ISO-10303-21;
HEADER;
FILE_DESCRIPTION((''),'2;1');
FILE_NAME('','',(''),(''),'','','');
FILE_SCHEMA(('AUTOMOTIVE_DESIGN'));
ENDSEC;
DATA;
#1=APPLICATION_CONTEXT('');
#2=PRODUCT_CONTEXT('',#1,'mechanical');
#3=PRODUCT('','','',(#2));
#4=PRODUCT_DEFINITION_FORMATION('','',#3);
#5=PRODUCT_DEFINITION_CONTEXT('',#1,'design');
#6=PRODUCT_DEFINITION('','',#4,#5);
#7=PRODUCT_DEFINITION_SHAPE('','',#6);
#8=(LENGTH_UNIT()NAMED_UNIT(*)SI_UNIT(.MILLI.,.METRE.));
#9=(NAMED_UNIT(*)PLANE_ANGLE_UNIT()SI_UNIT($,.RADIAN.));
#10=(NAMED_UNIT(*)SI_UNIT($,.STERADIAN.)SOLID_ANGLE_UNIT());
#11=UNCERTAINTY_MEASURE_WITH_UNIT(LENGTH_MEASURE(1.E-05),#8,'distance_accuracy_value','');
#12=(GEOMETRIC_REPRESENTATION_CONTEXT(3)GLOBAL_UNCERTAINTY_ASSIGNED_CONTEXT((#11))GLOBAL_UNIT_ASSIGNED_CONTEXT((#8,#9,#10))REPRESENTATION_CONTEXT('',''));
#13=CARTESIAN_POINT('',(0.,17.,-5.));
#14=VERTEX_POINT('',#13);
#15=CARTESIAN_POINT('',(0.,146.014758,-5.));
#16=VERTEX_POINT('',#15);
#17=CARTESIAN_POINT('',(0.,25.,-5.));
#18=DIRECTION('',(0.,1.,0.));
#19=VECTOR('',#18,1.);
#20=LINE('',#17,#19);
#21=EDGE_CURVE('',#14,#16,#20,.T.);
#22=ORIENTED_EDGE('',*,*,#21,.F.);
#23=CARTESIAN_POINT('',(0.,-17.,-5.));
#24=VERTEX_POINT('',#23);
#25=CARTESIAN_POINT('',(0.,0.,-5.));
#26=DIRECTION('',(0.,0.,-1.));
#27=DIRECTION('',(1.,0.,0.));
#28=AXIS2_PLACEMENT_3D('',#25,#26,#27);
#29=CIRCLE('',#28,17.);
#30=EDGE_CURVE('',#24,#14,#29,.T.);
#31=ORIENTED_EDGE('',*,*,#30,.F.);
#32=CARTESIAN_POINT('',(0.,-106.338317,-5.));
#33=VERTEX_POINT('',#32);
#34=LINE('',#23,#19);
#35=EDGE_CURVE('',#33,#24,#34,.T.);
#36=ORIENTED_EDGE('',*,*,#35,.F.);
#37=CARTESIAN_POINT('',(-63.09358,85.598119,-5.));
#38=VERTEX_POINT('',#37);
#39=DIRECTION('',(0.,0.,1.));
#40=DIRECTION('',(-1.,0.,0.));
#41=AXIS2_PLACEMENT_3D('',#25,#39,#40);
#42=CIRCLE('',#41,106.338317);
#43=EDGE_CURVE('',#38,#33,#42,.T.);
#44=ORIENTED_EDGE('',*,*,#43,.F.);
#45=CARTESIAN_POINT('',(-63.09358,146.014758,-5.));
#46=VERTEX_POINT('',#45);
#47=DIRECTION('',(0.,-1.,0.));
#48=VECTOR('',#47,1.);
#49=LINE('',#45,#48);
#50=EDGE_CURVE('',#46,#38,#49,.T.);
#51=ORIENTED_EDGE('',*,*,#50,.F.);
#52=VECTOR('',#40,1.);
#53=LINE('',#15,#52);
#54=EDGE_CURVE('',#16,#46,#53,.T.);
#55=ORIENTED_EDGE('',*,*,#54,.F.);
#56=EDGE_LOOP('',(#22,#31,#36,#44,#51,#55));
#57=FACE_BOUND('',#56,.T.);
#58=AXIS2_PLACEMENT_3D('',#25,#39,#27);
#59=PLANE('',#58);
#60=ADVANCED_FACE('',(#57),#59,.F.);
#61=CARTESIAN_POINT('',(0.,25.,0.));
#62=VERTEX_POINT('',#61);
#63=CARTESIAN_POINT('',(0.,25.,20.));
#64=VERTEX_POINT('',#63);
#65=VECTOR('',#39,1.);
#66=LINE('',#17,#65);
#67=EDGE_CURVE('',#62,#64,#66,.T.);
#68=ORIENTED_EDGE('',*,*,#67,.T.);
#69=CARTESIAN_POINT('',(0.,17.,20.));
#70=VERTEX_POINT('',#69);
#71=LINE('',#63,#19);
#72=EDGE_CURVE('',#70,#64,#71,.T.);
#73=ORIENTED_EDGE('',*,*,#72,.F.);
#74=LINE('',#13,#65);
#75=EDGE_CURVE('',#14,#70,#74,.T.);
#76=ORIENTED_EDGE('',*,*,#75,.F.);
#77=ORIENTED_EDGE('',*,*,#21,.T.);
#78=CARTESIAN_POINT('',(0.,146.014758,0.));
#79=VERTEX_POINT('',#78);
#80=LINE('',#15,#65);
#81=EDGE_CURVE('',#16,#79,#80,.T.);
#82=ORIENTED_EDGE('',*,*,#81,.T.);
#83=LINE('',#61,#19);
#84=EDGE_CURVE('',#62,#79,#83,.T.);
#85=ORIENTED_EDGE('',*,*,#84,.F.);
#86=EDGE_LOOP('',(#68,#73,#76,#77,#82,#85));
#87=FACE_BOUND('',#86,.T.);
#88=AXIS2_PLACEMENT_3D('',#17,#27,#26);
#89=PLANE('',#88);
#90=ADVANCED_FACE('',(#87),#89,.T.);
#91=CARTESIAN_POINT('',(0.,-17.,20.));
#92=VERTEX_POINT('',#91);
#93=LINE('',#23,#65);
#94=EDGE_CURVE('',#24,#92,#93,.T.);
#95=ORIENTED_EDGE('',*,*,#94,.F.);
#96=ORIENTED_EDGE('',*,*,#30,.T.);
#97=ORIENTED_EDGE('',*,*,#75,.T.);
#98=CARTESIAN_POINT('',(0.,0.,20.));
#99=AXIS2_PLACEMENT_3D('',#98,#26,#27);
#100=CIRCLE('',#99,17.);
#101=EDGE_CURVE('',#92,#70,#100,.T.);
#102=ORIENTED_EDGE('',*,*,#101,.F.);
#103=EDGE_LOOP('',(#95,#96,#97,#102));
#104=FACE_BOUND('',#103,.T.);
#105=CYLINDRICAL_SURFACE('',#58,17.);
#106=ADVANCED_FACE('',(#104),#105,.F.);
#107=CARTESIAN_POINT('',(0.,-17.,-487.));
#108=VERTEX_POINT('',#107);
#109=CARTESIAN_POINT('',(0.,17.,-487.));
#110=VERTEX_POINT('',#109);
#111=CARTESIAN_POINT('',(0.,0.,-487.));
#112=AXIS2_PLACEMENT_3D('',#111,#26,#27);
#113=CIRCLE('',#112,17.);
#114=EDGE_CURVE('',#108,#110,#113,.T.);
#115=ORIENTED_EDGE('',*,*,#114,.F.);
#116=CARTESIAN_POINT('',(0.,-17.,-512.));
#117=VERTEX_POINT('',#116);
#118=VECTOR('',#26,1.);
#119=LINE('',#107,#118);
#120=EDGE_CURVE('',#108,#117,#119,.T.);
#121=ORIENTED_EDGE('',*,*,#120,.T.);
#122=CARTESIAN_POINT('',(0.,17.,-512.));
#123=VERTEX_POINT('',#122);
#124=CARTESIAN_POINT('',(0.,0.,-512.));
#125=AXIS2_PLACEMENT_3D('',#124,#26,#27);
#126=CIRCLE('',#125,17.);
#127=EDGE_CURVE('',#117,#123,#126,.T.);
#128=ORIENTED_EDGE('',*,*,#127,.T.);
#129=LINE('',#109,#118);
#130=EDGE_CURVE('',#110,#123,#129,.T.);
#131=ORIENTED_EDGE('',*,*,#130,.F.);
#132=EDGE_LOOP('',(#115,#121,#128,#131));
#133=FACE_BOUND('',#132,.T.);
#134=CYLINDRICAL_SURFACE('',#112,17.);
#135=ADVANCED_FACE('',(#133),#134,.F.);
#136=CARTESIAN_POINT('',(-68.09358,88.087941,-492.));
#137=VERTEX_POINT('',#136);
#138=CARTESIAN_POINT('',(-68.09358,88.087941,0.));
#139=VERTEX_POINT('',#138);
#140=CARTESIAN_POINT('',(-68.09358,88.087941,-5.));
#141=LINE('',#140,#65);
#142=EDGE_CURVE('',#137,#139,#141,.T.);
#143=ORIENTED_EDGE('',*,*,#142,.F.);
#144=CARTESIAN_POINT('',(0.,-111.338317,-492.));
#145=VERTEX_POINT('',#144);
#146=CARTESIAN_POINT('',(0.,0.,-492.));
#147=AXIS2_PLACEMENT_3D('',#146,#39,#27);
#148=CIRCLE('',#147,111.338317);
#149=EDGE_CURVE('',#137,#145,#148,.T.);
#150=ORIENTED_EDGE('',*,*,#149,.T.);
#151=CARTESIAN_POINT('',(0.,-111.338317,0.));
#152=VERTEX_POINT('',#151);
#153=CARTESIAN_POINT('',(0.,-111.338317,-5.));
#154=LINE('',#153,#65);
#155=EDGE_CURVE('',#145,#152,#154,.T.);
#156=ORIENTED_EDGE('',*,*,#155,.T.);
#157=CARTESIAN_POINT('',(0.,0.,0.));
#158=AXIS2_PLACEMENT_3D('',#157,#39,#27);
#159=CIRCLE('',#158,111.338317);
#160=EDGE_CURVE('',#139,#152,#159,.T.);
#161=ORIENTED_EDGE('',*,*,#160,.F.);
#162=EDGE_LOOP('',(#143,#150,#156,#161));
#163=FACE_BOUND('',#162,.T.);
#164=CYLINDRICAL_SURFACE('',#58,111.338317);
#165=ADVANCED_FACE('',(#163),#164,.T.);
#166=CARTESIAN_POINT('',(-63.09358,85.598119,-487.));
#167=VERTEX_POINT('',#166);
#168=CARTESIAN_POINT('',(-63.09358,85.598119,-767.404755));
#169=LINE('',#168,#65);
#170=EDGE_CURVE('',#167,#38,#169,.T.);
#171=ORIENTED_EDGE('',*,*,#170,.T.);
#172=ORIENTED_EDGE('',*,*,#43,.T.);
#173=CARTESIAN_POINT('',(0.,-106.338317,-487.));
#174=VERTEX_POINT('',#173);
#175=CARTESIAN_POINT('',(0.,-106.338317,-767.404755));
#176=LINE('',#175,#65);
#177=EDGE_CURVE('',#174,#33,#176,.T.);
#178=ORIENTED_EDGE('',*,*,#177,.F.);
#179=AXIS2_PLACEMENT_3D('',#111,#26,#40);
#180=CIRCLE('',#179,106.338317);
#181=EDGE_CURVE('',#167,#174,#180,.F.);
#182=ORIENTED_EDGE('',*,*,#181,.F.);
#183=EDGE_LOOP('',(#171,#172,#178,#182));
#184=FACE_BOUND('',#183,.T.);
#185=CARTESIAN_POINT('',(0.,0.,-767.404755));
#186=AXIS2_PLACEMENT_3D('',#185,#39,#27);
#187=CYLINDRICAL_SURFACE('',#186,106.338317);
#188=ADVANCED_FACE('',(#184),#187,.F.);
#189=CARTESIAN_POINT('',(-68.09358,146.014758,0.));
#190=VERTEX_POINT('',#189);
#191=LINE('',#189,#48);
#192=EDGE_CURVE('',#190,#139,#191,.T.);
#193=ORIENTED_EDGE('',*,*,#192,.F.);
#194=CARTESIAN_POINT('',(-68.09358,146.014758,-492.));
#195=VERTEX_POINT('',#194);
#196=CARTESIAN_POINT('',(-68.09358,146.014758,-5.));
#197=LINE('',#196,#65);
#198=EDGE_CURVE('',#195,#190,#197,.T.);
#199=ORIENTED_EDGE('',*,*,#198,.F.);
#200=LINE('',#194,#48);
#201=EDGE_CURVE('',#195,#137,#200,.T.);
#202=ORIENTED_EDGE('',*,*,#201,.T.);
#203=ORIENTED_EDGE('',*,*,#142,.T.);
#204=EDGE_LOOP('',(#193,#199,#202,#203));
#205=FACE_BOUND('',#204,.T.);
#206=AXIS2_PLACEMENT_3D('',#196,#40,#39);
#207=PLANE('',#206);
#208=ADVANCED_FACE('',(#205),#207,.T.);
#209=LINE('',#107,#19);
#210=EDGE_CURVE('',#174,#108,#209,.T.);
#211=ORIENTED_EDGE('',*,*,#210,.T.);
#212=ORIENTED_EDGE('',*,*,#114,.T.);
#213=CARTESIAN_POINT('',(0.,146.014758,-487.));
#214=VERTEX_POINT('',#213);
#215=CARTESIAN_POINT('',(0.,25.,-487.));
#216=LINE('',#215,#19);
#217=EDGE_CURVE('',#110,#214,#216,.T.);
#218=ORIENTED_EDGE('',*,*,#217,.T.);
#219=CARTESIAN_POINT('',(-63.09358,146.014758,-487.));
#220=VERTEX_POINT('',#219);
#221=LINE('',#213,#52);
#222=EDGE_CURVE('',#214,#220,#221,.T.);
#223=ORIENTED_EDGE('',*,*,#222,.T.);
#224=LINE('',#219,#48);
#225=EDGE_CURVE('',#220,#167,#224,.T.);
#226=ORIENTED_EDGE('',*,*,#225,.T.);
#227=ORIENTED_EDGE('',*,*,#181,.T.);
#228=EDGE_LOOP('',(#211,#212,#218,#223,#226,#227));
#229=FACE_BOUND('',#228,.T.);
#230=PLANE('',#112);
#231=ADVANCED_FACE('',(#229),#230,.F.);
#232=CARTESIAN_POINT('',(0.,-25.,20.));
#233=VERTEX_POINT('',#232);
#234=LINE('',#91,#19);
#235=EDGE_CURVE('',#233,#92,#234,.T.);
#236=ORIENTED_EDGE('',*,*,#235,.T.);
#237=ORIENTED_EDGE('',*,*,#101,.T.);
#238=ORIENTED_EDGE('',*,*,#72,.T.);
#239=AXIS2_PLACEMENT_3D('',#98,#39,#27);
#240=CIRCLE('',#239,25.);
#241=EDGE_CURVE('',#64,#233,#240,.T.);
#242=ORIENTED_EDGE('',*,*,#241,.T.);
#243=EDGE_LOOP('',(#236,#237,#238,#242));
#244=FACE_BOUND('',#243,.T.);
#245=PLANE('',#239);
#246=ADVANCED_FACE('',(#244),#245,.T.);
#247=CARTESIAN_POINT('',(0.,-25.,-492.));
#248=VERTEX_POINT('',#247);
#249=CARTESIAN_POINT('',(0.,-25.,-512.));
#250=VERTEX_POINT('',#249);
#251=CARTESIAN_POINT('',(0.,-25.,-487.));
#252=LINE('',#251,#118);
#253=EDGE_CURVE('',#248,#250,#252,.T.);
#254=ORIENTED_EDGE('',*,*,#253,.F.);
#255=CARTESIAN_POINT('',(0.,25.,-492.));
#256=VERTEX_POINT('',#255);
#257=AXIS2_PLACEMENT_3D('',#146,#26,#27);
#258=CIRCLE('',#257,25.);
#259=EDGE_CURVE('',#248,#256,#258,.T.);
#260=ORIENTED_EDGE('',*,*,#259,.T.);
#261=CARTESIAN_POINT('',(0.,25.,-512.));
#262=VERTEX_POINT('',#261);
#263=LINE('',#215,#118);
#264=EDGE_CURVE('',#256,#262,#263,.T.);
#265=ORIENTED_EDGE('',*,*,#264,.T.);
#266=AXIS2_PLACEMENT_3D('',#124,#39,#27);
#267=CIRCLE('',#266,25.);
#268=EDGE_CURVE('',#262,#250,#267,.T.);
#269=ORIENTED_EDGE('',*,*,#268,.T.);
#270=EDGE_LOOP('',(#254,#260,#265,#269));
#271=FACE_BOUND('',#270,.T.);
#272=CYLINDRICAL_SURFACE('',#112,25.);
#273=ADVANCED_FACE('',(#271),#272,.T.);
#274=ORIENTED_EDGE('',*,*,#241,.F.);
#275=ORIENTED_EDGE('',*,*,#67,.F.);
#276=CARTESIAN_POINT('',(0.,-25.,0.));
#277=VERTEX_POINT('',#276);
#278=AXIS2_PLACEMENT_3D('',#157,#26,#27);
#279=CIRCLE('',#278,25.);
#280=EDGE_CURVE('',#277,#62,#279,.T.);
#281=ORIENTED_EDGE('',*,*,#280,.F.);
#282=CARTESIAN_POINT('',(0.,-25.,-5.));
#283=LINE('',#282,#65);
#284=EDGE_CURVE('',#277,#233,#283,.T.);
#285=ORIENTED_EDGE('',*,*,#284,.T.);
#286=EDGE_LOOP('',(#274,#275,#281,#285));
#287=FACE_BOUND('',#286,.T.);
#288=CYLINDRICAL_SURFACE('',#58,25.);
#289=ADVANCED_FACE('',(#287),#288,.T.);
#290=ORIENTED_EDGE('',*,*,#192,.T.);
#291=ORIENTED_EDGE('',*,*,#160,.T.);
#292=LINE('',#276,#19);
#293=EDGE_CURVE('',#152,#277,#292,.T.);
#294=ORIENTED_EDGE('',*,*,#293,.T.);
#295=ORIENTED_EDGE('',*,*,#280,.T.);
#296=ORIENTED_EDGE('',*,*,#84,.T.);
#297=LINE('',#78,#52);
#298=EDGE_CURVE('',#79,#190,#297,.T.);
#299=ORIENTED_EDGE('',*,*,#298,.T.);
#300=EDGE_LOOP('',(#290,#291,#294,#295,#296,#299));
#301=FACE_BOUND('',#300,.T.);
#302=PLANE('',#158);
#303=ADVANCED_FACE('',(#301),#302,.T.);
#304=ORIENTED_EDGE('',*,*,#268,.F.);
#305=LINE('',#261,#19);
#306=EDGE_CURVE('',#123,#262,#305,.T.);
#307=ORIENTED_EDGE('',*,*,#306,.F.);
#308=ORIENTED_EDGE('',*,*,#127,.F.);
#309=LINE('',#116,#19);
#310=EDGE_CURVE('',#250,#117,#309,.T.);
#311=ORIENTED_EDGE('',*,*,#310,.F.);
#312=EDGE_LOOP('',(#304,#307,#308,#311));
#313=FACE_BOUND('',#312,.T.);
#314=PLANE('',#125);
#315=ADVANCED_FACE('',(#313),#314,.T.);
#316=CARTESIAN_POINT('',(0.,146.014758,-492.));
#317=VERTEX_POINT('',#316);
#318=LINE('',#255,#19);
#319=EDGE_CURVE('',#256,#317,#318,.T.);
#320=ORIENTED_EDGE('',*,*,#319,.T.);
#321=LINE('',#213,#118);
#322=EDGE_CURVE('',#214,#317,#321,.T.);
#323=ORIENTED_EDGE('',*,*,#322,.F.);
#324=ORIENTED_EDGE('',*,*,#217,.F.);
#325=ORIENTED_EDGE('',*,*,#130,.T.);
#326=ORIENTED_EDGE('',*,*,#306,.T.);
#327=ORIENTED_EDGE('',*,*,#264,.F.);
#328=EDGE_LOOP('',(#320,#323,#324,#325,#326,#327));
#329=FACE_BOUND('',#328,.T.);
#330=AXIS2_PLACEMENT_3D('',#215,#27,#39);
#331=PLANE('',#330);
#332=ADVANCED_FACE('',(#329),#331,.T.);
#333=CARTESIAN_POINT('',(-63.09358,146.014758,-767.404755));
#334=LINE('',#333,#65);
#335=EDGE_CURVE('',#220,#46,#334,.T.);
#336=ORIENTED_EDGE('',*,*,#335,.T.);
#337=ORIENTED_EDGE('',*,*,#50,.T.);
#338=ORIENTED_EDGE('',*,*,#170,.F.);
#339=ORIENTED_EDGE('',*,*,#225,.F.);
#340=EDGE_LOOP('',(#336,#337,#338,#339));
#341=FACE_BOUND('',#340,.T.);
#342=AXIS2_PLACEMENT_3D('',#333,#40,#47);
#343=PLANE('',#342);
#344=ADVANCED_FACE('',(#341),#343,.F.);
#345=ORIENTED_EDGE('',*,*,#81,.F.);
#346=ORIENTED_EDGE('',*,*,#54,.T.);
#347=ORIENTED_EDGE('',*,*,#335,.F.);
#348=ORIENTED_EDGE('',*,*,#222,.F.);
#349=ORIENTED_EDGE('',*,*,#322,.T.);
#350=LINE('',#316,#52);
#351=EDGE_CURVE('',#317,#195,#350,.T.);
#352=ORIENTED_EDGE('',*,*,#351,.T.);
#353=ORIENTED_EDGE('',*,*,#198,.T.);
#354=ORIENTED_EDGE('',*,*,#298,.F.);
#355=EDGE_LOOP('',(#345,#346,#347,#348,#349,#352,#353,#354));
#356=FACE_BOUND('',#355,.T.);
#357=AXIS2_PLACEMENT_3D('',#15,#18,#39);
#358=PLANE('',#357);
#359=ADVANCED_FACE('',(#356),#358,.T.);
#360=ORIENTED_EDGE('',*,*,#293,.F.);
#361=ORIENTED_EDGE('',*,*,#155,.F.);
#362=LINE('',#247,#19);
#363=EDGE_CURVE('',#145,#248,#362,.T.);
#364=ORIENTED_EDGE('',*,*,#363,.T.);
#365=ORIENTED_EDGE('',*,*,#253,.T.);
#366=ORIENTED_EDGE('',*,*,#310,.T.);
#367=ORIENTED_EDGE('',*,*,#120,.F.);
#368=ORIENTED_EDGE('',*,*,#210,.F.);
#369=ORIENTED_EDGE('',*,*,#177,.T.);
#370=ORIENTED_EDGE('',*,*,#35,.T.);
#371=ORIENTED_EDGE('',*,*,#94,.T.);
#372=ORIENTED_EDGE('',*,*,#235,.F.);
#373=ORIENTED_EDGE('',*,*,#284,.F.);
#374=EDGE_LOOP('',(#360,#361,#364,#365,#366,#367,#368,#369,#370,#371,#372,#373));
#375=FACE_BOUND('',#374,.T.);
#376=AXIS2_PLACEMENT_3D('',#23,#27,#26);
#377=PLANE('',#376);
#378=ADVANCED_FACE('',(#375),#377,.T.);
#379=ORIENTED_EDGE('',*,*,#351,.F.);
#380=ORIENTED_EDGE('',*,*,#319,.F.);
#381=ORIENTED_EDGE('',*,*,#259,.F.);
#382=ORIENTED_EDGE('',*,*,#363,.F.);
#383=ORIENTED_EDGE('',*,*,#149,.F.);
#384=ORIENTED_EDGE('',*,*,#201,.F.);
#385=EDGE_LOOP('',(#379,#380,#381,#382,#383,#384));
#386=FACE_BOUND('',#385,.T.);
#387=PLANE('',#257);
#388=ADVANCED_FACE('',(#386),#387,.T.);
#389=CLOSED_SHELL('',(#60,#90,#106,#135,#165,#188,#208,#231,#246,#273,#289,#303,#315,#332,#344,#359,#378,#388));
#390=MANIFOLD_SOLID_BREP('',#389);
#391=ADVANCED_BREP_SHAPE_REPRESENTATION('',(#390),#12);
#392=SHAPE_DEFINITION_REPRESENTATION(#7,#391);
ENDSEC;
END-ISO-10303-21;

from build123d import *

# Parameters (mm, degrees)
BOSS_EXTRUDE1_DEPTH      = 20
BOSS_EXTRUDE1_DEPTH_BACK = 5
BOSS_EXTRUDE2_START      = -5
BOSS_EXTRUDE2_DEPTH      = 5
BOSS_EXTRUDE3_REACH      = 541.227


with BuildPart() as part:
    # Sketch1 → Boss-Extrude1 (new, two sides: drawn at the far end of the back side and taken through both)
    with BuildSketch(Plane.XY.offset(-BOSS_EXTRUDE1_DEPTH_BACK)):
        with BuildLine():
            Line((0, 25), (0, 17))
            ThreePointArc((0, 17), (-17, 0), (0, -17))
            Line((0, -17), (0, -25))
            ThreePointArc((0, -25), (-25, 0), (0, 25))
        make_face()
    extrude(amount=BOSS_EXTRUDE1_DEPTH + BOSS_EXTRUDE1_DEPTH_BACK)

    # Sketch2 → Boss-Extrude2 (add)
    with BuildSketch(Plane.XY.offset(BOSS_EXTRUDE2_START)):
        with BuildLine():
            Line((0, 25), (0, 146.014758251))
            Line((0, 146.014758251), (-68.093579632, 146.014758251))
            Line((-68.093579632, 146.014758251), (-68.093579632, 88.087940795))
            ThreePointArc((-68.093579632, 88.087940795), (-105.365516189, -35.976782774), (0, -111.338317306))
            Line((0, -111.338317306), (0, -25))
            ThreePointArc((0, -25), (-25, 0), (0, 25))
        make_face()
    extrude(amount=BOSS_EXTRUDE2_DEPTH)


with BuildPart() as body_2:
    # Mirror2: mirrored copy
    add(part.part.mirror(Plane.XY.offset(-246)))

    # Sketch3 → Boss-Extrude3 (add, up to next)
    with BuildSketch(Plane(origin=(0, 0, -5), x_dir=(-1, 0, 0), z_dir=(0, 0, -1)), mode=Mode.PRIVATE) as boss_extrude3_sk1:
        with BuildLine():
            Line((68.093579632, 146.014758251), (68.093579632, 88.087940795))
            ThreePointArc((68.093579632, 88.087940795), (105.365516189, -35.976782774), (0, -111.338317306))
            Line((0, -111.338317306), (0, -106.338317306))
            ThreePointArc((0, -106.338317306), (101.020289155, -33.207512802), (63.093579632, 85.598118769))
            Line((63.093579632, 85.598118769), (63.093579632, 146.014758251))
            Line((63.093579632, 146.014758251), (68.093579632, 146.014758251))
        make_face()
    boss_extrude3_tool1 = extrude(boss_extrude3_sk1.sketch, amount=BOSS_EXTRUDE3_REACH, mode=Mode.PRIVATE) - body_2.part

    add(part.part)  # Boss-Extrude3 merges part
    add(boss_extrude3_tool1.solids().sort_by_distance((-65.897627, 115.806439, -5))[0])


solid = body_2.part
